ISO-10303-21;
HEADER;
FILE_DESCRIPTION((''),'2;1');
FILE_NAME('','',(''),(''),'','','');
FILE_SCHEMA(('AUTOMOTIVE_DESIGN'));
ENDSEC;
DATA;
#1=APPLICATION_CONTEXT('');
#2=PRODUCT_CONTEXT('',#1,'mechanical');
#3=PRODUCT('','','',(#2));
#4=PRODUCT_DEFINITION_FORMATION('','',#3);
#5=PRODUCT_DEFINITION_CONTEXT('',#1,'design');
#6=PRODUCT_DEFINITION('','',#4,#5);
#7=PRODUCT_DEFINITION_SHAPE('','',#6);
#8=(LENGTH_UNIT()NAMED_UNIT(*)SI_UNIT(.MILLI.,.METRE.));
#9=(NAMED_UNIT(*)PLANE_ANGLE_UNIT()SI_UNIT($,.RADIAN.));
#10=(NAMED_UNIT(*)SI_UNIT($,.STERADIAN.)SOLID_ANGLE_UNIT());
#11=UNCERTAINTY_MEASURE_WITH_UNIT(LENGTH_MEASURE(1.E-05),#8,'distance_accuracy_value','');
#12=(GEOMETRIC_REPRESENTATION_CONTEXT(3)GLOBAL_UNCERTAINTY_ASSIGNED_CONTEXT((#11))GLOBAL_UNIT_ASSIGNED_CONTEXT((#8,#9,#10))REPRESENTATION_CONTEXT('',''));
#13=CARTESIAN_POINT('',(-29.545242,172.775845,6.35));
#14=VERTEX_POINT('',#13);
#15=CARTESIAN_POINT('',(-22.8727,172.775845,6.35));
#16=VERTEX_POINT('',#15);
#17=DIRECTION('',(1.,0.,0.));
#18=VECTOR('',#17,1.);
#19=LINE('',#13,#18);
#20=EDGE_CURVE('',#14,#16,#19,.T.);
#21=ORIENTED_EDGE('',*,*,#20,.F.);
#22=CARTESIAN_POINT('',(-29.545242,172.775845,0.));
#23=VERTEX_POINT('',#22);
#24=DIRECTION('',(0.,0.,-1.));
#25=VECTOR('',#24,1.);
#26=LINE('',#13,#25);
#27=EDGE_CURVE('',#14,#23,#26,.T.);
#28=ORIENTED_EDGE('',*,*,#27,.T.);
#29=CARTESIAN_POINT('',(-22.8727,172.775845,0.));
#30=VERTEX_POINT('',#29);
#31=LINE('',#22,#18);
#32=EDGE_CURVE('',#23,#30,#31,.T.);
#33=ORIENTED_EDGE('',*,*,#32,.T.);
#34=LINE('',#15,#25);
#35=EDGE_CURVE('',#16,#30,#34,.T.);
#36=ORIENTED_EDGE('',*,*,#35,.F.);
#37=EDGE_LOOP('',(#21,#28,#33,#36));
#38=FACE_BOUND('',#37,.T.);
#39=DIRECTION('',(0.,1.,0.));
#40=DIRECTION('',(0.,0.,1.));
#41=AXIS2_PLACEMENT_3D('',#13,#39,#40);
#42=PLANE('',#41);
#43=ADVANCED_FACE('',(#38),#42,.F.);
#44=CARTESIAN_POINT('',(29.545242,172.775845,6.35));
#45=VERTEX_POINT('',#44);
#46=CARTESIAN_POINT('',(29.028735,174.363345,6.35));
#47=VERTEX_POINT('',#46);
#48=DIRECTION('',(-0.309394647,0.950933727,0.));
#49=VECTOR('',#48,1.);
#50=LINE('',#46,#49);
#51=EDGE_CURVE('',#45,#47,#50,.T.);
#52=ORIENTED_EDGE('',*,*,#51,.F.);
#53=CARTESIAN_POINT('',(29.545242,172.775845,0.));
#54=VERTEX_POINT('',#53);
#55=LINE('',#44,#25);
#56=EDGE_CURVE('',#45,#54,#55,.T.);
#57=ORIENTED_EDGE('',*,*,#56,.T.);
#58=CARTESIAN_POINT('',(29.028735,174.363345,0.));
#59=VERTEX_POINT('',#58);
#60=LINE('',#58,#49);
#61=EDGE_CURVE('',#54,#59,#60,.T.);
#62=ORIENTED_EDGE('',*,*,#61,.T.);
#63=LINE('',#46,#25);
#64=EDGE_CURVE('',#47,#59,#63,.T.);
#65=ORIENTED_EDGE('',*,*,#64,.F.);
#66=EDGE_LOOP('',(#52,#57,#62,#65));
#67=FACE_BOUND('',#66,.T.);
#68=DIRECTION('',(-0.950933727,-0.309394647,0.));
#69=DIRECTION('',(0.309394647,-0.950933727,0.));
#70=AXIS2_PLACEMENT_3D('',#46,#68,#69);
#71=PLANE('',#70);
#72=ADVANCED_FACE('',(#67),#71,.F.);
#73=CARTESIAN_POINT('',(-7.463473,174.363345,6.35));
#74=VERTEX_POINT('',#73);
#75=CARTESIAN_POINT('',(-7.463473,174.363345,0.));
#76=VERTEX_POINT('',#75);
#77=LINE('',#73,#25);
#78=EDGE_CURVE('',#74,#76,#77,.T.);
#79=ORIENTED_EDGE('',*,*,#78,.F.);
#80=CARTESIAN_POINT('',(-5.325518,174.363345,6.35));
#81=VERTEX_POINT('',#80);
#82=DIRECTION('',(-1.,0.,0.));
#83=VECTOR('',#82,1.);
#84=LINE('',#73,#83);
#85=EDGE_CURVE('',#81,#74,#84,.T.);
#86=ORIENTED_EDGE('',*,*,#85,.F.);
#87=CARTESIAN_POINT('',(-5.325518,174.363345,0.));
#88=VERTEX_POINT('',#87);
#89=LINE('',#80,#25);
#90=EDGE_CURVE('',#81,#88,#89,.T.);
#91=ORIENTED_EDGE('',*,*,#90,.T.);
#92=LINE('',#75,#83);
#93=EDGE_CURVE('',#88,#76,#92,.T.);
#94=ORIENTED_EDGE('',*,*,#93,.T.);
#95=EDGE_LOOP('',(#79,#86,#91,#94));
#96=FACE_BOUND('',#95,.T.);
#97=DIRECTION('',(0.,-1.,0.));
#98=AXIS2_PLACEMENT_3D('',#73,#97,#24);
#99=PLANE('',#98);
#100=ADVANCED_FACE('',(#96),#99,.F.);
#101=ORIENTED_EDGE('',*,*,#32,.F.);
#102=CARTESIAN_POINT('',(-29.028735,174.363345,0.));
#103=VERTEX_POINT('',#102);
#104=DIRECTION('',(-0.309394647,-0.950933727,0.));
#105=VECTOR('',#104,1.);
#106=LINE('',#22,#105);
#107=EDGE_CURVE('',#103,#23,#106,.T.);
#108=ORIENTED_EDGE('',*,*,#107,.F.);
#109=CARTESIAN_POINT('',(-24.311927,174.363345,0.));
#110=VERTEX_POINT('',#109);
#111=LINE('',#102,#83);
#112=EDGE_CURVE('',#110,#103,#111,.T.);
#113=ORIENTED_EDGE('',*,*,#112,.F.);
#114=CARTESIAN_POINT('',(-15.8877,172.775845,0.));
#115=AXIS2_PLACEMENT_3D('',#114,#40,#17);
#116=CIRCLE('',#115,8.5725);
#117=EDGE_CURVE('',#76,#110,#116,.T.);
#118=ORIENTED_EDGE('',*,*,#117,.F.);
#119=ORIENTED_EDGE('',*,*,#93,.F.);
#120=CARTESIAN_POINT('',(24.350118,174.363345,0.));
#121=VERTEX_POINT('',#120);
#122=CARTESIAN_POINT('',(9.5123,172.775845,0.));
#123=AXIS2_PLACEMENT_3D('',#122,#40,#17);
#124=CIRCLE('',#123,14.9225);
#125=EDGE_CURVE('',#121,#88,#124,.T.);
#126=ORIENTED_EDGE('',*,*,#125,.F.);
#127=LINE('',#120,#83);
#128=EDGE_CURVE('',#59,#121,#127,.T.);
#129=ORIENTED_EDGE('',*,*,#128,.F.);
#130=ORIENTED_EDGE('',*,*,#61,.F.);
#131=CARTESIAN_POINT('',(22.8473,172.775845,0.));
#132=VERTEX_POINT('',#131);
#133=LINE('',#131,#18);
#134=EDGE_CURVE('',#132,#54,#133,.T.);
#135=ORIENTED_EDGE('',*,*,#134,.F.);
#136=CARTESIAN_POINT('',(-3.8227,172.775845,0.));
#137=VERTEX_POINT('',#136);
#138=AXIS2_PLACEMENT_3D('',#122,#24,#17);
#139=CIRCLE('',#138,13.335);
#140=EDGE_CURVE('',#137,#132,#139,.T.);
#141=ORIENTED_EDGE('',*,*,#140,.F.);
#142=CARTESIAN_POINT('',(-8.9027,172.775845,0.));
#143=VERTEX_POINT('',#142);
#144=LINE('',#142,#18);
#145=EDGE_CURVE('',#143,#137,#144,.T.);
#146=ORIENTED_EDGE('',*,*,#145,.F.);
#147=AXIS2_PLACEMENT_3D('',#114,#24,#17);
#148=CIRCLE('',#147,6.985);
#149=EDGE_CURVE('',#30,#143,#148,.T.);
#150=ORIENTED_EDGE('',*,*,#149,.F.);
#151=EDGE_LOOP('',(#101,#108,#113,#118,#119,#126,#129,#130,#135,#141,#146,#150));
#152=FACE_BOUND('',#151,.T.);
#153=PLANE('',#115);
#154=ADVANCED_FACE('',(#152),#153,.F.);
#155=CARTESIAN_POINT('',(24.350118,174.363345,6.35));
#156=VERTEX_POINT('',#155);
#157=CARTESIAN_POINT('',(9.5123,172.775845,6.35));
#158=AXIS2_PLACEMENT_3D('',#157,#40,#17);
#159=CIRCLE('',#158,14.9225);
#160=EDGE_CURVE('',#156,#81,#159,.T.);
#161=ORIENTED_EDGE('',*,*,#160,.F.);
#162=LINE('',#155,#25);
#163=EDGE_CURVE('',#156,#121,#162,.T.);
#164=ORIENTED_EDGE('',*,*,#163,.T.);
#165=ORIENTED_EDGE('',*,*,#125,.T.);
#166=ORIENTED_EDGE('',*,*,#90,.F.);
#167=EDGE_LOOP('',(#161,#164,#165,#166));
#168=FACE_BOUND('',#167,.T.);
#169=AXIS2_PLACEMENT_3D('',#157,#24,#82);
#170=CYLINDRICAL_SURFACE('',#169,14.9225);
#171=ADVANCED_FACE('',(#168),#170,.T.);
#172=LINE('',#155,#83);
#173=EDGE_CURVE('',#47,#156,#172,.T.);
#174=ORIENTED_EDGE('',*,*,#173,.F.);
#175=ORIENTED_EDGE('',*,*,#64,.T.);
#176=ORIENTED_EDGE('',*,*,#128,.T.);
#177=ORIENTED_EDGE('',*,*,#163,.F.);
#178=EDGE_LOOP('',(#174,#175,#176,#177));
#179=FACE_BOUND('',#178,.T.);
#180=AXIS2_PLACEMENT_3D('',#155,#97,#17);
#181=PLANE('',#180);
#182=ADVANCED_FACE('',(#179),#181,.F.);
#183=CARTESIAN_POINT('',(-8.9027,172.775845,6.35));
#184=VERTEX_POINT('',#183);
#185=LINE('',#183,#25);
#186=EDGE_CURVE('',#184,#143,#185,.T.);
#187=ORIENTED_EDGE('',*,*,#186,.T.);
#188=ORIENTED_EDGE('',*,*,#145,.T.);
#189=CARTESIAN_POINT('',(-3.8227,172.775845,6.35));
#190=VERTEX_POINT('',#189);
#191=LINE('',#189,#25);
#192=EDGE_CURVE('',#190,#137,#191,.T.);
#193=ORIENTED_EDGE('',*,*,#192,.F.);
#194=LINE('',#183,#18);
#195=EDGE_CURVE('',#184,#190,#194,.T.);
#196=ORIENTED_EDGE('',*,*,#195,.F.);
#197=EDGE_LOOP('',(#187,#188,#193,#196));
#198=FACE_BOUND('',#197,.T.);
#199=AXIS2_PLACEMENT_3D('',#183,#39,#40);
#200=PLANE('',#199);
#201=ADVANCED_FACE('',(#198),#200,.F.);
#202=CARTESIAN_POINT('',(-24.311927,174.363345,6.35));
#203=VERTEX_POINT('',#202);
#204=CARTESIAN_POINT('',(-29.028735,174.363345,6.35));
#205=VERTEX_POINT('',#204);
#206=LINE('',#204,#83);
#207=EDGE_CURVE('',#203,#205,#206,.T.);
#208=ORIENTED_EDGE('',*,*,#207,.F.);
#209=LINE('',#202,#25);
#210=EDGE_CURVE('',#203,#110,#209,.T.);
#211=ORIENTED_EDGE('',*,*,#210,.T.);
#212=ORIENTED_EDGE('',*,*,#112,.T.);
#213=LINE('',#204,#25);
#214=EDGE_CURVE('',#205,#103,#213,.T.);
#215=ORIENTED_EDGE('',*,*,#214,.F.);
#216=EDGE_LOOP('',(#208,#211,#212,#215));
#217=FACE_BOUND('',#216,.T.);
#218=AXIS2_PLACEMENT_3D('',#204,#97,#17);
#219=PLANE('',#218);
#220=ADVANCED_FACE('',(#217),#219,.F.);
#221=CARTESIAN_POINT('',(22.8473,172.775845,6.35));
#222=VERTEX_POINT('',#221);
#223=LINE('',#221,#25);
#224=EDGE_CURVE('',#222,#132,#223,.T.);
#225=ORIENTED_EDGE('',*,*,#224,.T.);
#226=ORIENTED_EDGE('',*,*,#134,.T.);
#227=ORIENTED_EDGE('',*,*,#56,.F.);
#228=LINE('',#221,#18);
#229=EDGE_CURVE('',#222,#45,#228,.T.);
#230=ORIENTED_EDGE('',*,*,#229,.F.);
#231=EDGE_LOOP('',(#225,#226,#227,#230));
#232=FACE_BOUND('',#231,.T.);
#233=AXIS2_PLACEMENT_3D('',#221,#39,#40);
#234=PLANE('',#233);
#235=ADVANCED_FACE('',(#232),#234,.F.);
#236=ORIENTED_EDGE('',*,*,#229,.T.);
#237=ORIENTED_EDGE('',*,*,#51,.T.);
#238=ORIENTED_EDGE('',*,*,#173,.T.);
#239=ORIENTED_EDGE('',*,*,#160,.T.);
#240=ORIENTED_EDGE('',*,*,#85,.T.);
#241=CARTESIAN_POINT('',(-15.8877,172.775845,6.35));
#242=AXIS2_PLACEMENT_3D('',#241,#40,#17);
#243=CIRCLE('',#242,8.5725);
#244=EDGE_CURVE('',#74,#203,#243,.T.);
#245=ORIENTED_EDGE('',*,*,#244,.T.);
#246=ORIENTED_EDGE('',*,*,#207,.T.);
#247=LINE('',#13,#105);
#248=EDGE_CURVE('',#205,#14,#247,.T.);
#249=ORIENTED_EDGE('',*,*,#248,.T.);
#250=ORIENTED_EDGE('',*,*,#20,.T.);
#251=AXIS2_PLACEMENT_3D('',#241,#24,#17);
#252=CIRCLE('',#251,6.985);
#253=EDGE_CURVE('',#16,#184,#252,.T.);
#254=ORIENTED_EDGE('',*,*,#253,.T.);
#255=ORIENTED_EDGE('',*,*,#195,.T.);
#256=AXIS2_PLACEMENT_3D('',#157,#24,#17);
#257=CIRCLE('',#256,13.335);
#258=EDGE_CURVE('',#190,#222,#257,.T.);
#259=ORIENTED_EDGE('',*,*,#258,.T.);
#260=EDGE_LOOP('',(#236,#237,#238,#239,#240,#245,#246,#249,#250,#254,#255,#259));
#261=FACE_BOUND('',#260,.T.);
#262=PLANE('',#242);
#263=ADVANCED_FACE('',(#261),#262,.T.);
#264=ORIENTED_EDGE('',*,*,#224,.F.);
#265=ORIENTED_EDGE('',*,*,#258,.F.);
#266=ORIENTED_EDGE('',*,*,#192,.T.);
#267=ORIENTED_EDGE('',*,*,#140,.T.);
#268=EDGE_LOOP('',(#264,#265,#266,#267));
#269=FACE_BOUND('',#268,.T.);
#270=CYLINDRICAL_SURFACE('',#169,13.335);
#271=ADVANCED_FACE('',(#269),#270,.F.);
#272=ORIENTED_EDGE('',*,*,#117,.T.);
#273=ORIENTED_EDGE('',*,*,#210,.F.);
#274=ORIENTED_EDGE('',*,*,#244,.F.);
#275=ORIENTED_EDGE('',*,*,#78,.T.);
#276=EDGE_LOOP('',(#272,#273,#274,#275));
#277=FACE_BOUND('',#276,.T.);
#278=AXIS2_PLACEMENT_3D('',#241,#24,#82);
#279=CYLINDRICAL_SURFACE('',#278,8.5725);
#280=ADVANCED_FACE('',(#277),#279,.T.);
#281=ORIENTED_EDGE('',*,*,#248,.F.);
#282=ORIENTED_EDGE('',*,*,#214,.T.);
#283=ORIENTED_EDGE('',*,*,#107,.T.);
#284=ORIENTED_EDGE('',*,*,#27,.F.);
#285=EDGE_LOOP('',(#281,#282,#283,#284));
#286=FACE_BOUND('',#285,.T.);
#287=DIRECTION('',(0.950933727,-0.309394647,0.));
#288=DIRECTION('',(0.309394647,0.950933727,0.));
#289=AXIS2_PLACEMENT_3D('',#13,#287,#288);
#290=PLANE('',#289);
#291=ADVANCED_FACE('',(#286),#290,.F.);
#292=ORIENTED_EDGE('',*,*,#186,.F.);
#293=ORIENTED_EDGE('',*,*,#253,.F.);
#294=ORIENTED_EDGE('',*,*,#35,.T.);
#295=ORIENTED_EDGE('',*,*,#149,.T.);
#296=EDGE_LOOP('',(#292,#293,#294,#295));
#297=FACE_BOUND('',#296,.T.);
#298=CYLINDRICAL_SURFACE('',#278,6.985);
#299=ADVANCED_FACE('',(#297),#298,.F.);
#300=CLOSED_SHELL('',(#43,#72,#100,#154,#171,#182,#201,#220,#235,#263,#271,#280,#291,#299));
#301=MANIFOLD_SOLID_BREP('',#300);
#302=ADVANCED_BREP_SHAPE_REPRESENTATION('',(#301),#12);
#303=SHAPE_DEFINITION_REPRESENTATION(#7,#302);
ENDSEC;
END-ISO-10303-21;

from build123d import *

# Parameters (mm, degrees)
BOSS_EXTRUDE2_DEPTH = 6.35


with BuildPart() as part:
    # Sketch1 → Boss-Extrude2 (new body)
    with BuildSketch(Plane.XY):
        with BuildLine():
            Line((-29.545241798, 172.775844825), (-22.8727, 172.775844825))
            ThreePointArc((-22.8727, 172.775844825), (-15.8877, 179.760844825), (-8.9027, 172.775844825))
            Line((-8.9027, 172.775844825), (-3.8227, 172.775844825))
            ThreePointArc((-3.8227, 172.775844825), (9.5123, 186.110844825), (22.8473, 172.775844825))
            Line((22.8473, 172.775844825), (29.545241798, 172.775844825))
            Line((29.545241798, 172.775844825), (29.028734718, 174.363344825))
            Line((29.028734718, 174.363344825), (24.350118236, 174.363344825))
            ThreePointArc((24.350118236, 174.363344825), (9.5123, 187.698344825), (-5.325518236, 174.363344825))
            Line((-5.325518236, 174.363344825), (-7.463473032, 174.363344825))
            ThreePointArc((-7.463473032, 174.363344825), (-15.8877, 181.348344825), (-24.311926968, 174.363344825))
            Line((-24.311926968, 174.363344825), (-29.028734718, 174.363344825))
            Line((-29.028734718, 174.363344825), (-29.545241798, 172.775844825))
        make_face()
    extrude(amount=BOSS_EXTRUDE2_DEPTH)


solid = part.part
